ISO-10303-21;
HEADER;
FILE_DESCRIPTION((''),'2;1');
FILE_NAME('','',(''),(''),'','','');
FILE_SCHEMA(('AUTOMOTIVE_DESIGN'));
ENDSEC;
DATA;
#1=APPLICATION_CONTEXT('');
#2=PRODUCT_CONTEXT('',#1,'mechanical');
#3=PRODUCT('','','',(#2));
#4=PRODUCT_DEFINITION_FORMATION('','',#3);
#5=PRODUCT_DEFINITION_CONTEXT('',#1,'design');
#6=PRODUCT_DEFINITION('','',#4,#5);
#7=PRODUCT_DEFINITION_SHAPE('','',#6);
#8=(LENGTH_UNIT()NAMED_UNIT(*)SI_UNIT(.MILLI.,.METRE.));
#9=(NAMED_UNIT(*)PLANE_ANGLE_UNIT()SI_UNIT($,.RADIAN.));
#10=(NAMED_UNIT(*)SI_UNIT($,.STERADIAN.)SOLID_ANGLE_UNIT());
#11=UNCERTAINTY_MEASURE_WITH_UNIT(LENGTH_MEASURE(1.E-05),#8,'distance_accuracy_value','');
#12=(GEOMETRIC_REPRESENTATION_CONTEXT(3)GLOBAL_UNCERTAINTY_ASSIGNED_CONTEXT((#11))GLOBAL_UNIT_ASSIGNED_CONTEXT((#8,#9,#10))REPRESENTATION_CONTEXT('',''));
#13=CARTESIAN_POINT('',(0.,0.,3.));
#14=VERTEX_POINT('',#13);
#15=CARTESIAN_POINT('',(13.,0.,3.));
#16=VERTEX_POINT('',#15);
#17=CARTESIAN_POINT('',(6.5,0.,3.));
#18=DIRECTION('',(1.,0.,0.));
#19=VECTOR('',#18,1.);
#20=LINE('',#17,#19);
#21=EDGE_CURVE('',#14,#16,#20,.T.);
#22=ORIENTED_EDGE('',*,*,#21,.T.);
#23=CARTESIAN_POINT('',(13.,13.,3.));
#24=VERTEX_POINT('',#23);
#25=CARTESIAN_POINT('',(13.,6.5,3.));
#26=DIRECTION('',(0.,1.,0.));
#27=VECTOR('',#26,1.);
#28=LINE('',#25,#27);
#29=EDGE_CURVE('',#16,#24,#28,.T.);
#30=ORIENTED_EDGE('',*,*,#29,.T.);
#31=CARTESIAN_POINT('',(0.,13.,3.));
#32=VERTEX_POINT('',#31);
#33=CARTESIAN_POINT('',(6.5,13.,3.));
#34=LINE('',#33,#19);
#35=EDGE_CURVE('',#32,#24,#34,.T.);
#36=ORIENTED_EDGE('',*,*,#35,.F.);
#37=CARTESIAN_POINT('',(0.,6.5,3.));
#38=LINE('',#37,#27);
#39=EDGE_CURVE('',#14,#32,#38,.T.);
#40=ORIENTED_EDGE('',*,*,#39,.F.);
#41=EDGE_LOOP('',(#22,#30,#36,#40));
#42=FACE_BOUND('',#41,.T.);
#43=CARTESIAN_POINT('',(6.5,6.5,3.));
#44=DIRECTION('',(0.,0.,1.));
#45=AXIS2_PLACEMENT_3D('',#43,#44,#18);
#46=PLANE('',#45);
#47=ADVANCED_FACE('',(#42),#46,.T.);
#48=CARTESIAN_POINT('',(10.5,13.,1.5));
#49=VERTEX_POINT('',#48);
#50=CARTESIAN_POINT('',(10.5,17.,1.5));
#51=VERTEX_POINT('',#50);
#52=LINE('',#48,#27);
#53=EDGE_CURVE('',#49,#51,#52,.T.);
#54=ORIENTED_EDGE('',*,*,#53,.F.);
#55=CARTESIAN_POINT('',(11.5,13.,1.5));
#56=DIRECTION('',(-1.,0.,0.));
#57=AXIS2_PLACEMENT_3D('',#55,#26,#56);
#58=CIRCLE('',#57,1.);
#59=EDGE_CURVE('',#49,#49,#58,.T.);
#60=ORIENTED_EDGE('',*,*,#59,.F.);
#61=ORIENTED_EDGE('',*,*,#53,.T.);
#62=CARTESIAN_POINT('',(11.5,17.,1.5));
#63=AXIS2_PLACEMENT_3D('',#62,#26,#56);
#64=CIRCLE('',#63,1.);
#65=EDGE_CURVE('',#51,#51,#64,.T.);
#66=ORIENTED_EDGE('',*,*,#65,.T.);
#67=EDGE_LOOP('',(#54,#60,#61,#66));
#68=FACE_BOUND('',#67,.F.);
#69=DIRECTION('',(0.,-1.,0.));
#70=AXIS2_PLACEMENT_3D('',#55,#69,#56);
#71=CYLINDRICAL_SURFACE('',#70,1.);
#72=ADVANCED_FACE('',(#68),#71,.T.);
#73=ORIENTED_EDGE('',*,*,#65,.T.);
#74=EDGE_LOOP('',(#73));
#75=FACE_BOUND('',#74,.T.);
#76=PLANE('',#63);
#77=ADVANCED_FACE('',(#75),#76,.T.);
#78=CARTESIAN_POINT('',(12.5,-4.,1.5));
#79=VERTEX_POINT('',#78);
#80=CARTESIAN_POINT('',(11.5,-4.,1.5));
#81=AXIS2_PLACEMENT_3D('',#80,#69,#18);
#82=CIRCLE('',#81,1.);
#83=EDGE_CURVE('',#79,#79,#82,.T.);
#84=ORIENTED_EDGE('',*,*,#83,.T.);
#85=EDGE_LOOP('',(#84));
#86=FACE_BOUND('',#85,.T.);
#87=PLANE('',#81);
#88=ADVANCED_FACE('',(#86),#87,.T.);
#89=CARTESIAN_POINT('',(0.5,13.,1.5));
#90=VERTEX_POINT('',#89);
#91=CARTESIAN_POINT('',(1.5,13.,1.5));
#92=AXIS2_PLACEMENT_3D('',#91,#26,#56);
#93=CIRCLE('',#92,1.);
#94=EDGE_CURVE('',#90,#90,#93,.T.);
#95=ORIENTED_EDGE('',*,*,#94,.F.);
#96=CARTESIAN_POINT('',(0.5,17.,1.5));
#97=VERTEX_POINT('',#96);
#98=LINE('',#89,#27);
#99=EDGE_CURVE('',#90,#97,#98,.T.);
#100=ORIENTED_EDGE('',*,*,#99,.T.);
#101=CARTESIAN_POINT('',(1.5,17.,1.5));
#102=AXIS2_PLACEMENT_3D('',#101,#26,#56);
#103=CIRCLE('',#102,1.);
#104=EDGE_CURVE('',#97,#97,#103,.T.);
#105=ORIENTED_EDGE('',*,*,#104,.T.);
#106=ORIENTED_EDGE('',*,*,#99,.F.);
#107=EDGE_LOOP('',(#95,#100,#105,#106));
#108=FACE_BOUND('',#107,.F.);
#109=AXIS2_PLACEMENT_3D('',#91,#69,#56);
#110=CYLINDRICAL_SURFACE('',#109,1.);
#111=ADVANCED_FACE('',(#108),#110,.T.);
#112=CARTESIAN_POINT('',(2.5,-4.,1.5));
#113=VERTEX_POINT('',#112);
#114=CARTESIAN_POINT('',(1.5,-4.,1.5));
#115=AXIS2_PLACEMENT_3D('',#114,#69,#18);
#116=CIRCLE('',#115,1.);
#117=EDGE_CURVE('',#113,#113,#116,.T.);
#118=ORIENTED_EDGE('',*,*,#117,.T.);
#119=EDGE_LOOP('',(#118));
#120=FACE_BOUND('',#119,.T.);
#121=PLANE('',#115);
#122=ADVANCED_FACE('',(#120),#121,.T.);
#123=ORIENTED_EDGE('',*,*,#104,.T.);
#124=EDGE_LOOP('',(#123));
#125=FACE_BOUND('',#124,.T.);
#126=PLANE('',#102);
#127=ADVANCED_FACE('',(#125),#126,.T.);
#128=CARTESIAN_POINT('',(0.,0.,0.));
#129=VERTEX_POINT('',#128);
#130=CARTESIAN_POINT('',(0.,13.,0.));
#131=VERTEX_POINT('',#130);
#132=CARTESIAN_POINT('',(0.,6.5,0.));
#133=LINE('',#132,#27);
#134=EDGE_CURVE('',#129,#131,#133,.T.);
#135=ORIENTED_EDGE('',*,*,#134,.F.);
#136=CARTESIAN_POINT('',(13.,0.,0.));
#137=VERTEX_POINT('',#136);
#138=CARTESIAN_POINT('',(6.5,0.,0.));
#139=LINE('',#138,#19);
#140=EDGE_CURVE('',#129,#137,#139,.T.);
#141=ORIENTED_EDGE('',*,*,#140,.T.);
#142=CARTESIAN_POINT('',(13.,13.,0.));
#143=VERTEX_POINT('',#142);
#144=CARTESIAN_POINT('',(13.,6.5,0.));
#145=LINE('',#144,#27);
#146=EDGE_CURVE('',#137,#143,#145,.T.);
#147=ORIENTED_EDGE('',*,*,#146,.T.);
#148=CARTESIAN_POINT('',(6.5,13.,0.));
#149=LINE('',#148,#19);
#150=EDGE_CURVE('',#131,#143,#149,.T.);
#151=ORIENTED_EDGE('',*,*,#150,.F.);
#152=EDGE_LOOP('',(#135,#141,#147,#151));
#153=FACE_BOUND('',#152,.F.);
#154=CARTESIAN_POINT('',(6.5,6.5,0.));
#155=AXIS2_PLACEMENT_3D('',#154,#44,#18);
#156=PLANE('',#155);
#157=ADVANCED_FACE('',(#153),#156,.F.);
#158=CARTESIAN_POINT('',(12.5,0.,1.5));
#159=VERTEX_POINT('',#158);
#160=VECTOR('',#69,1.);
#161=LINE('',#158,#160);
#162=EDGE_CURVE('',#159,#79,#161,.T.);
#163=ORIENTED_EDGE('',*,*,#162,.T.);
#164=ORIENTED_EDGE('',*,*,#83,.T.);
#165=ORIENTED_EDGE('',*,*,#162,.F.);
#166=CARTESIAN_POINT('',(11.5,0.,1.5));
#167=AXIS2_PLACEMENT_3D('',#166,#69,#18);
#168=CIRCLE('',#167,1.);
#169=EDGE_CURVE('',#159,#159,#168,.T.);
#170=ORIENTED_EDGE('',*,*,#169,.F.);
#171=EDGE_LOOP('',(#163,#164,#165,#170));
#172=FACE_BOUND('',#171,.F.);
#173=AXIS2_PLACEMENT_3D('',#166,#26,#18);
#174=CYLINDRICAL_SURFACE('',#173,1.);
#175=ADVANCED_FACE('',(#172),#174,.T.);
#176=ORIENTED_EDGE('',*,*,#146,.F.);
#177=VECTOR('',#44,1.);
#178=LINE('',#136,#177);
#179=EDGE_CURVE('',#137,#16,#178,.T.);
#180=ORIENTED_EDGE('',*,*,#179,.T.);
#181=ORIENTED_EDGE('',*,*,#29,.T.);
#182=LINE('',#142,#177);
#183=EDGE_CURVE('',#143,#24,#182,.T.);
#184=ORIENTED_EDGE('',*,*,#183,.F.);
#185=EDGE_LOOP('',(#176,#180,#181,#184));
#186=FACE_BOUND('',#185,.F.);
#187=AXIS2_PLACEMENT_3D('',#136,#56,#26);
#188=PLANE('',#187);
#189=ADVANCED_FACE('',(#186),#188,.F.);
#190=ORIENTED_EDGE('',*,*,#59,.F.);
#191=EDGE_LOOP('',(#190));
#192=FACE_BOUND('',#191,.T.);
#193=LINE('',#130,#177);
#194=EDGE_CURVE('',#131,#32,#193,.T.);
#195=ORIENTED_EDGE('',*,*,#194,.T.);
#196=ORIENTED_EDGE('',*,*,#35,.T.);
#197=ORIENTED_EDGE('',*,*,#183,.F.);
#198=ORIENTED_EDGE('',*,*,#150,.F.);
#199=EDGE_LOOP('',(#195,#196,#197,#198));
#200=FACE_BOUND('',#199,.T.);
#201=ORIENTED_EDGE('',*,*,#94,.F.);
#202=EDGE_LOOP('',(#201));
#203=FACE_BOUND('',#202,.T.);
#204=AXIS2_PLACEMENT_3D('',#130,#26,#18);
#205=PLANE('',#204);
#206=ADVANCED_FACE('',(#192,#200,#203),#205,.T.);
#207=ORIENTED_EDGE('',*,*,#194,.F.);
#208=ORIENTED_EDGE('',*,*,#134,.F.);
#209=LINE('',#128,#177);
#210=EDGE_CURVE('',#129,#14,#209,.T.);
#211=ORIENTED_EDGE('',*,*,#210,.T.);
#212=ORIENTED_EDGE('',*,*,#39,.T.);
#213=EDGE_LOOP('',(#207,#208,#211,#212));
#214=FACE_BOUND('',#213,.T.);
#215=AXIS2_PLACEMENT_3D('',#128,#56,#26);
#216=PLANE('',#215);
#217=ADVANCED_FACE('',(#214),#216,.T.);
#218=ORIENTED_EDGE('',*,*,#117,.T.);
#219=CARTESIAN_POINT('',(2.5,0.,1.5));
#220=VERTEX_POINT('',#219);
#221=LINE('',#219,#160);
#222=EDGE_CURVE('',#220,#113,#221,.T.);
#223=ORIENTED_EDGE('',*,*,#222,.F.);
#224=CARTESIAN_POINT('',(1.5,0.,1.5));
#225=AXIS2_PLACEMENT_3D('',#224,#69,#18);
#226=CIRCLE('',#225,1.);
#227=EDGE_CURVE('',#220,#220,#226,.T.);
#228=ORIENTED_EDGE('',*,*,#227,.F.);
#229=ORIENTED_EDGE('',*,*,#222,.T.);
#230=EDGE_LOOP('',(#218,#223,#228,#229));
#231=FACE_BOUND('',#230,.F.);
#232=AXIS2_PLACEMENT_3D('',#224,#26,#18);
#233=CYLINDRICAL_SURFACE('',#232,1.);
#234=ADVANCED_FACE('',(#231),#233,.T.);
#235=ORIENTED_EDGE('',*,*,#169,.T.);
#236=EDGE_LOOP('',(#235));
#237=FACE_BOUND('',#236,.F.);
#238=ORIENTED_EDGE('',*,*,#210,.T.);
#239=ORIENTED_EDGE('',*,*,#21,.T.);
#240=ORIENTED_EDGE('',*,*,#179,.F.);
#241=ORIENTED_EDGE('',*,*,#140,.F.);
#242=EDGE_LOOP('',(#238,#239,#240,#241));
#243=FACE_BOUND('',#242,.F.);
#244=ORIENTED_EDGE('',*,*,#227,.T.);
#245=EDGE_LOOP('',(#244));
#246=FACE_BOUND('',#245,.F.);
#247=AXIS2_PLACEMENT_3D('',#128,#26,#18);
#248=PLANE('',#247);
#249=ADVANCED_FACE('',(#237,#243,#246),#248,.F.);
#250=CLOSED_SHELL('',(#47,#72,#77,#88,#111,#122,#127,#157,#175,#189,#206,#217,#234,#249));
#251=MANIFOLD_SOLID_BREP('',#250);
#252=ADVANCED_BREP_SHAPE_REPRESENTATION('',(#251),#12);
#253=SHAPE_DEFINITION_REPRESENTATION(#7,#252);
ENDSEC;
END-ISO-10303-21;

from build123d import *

# Parameters (mm, degrees)
F0_W     = 13
F0_H     = 13
F1_DEPTH = 3
F2_R     = 1
F3_DEPTH = 4
F4_R     = 1
F5_DEPTH = 4


with BuildPart() as f1:
    # F0 (on Top) → F1 (new body)
    with BuildSketch(Plane.XY):
        with Locations((6.5, 6.5)):
            Rectangle(F0_W, F0_H)
    extrude(amount=F1_DEPTH)

    # F2 (on face) → F3 (join)
    with BuildSketch(Plane.XZ):
        with Locations((1.5, 1.5)):
            Circle(F2_R)
        with Locations((11.5, 1.5)):
            Circle(F2_R)
    extrude(amount=F3_DEPTH)

    # F4 (on face) → F5 (join)
    with BuildSketch(Plane(origin=(0, 13, 0), x_dir=(-1, 0, 0), z_dir=(0, 1, 0))):
        with Locations((-11.5, 1.5)):
            Circle(F4_R)
        with Locations((-1.5, 1.5)):
            Circle(F4_R)
    extrude(amount=F5_DEPTH)


solid = f1.part
